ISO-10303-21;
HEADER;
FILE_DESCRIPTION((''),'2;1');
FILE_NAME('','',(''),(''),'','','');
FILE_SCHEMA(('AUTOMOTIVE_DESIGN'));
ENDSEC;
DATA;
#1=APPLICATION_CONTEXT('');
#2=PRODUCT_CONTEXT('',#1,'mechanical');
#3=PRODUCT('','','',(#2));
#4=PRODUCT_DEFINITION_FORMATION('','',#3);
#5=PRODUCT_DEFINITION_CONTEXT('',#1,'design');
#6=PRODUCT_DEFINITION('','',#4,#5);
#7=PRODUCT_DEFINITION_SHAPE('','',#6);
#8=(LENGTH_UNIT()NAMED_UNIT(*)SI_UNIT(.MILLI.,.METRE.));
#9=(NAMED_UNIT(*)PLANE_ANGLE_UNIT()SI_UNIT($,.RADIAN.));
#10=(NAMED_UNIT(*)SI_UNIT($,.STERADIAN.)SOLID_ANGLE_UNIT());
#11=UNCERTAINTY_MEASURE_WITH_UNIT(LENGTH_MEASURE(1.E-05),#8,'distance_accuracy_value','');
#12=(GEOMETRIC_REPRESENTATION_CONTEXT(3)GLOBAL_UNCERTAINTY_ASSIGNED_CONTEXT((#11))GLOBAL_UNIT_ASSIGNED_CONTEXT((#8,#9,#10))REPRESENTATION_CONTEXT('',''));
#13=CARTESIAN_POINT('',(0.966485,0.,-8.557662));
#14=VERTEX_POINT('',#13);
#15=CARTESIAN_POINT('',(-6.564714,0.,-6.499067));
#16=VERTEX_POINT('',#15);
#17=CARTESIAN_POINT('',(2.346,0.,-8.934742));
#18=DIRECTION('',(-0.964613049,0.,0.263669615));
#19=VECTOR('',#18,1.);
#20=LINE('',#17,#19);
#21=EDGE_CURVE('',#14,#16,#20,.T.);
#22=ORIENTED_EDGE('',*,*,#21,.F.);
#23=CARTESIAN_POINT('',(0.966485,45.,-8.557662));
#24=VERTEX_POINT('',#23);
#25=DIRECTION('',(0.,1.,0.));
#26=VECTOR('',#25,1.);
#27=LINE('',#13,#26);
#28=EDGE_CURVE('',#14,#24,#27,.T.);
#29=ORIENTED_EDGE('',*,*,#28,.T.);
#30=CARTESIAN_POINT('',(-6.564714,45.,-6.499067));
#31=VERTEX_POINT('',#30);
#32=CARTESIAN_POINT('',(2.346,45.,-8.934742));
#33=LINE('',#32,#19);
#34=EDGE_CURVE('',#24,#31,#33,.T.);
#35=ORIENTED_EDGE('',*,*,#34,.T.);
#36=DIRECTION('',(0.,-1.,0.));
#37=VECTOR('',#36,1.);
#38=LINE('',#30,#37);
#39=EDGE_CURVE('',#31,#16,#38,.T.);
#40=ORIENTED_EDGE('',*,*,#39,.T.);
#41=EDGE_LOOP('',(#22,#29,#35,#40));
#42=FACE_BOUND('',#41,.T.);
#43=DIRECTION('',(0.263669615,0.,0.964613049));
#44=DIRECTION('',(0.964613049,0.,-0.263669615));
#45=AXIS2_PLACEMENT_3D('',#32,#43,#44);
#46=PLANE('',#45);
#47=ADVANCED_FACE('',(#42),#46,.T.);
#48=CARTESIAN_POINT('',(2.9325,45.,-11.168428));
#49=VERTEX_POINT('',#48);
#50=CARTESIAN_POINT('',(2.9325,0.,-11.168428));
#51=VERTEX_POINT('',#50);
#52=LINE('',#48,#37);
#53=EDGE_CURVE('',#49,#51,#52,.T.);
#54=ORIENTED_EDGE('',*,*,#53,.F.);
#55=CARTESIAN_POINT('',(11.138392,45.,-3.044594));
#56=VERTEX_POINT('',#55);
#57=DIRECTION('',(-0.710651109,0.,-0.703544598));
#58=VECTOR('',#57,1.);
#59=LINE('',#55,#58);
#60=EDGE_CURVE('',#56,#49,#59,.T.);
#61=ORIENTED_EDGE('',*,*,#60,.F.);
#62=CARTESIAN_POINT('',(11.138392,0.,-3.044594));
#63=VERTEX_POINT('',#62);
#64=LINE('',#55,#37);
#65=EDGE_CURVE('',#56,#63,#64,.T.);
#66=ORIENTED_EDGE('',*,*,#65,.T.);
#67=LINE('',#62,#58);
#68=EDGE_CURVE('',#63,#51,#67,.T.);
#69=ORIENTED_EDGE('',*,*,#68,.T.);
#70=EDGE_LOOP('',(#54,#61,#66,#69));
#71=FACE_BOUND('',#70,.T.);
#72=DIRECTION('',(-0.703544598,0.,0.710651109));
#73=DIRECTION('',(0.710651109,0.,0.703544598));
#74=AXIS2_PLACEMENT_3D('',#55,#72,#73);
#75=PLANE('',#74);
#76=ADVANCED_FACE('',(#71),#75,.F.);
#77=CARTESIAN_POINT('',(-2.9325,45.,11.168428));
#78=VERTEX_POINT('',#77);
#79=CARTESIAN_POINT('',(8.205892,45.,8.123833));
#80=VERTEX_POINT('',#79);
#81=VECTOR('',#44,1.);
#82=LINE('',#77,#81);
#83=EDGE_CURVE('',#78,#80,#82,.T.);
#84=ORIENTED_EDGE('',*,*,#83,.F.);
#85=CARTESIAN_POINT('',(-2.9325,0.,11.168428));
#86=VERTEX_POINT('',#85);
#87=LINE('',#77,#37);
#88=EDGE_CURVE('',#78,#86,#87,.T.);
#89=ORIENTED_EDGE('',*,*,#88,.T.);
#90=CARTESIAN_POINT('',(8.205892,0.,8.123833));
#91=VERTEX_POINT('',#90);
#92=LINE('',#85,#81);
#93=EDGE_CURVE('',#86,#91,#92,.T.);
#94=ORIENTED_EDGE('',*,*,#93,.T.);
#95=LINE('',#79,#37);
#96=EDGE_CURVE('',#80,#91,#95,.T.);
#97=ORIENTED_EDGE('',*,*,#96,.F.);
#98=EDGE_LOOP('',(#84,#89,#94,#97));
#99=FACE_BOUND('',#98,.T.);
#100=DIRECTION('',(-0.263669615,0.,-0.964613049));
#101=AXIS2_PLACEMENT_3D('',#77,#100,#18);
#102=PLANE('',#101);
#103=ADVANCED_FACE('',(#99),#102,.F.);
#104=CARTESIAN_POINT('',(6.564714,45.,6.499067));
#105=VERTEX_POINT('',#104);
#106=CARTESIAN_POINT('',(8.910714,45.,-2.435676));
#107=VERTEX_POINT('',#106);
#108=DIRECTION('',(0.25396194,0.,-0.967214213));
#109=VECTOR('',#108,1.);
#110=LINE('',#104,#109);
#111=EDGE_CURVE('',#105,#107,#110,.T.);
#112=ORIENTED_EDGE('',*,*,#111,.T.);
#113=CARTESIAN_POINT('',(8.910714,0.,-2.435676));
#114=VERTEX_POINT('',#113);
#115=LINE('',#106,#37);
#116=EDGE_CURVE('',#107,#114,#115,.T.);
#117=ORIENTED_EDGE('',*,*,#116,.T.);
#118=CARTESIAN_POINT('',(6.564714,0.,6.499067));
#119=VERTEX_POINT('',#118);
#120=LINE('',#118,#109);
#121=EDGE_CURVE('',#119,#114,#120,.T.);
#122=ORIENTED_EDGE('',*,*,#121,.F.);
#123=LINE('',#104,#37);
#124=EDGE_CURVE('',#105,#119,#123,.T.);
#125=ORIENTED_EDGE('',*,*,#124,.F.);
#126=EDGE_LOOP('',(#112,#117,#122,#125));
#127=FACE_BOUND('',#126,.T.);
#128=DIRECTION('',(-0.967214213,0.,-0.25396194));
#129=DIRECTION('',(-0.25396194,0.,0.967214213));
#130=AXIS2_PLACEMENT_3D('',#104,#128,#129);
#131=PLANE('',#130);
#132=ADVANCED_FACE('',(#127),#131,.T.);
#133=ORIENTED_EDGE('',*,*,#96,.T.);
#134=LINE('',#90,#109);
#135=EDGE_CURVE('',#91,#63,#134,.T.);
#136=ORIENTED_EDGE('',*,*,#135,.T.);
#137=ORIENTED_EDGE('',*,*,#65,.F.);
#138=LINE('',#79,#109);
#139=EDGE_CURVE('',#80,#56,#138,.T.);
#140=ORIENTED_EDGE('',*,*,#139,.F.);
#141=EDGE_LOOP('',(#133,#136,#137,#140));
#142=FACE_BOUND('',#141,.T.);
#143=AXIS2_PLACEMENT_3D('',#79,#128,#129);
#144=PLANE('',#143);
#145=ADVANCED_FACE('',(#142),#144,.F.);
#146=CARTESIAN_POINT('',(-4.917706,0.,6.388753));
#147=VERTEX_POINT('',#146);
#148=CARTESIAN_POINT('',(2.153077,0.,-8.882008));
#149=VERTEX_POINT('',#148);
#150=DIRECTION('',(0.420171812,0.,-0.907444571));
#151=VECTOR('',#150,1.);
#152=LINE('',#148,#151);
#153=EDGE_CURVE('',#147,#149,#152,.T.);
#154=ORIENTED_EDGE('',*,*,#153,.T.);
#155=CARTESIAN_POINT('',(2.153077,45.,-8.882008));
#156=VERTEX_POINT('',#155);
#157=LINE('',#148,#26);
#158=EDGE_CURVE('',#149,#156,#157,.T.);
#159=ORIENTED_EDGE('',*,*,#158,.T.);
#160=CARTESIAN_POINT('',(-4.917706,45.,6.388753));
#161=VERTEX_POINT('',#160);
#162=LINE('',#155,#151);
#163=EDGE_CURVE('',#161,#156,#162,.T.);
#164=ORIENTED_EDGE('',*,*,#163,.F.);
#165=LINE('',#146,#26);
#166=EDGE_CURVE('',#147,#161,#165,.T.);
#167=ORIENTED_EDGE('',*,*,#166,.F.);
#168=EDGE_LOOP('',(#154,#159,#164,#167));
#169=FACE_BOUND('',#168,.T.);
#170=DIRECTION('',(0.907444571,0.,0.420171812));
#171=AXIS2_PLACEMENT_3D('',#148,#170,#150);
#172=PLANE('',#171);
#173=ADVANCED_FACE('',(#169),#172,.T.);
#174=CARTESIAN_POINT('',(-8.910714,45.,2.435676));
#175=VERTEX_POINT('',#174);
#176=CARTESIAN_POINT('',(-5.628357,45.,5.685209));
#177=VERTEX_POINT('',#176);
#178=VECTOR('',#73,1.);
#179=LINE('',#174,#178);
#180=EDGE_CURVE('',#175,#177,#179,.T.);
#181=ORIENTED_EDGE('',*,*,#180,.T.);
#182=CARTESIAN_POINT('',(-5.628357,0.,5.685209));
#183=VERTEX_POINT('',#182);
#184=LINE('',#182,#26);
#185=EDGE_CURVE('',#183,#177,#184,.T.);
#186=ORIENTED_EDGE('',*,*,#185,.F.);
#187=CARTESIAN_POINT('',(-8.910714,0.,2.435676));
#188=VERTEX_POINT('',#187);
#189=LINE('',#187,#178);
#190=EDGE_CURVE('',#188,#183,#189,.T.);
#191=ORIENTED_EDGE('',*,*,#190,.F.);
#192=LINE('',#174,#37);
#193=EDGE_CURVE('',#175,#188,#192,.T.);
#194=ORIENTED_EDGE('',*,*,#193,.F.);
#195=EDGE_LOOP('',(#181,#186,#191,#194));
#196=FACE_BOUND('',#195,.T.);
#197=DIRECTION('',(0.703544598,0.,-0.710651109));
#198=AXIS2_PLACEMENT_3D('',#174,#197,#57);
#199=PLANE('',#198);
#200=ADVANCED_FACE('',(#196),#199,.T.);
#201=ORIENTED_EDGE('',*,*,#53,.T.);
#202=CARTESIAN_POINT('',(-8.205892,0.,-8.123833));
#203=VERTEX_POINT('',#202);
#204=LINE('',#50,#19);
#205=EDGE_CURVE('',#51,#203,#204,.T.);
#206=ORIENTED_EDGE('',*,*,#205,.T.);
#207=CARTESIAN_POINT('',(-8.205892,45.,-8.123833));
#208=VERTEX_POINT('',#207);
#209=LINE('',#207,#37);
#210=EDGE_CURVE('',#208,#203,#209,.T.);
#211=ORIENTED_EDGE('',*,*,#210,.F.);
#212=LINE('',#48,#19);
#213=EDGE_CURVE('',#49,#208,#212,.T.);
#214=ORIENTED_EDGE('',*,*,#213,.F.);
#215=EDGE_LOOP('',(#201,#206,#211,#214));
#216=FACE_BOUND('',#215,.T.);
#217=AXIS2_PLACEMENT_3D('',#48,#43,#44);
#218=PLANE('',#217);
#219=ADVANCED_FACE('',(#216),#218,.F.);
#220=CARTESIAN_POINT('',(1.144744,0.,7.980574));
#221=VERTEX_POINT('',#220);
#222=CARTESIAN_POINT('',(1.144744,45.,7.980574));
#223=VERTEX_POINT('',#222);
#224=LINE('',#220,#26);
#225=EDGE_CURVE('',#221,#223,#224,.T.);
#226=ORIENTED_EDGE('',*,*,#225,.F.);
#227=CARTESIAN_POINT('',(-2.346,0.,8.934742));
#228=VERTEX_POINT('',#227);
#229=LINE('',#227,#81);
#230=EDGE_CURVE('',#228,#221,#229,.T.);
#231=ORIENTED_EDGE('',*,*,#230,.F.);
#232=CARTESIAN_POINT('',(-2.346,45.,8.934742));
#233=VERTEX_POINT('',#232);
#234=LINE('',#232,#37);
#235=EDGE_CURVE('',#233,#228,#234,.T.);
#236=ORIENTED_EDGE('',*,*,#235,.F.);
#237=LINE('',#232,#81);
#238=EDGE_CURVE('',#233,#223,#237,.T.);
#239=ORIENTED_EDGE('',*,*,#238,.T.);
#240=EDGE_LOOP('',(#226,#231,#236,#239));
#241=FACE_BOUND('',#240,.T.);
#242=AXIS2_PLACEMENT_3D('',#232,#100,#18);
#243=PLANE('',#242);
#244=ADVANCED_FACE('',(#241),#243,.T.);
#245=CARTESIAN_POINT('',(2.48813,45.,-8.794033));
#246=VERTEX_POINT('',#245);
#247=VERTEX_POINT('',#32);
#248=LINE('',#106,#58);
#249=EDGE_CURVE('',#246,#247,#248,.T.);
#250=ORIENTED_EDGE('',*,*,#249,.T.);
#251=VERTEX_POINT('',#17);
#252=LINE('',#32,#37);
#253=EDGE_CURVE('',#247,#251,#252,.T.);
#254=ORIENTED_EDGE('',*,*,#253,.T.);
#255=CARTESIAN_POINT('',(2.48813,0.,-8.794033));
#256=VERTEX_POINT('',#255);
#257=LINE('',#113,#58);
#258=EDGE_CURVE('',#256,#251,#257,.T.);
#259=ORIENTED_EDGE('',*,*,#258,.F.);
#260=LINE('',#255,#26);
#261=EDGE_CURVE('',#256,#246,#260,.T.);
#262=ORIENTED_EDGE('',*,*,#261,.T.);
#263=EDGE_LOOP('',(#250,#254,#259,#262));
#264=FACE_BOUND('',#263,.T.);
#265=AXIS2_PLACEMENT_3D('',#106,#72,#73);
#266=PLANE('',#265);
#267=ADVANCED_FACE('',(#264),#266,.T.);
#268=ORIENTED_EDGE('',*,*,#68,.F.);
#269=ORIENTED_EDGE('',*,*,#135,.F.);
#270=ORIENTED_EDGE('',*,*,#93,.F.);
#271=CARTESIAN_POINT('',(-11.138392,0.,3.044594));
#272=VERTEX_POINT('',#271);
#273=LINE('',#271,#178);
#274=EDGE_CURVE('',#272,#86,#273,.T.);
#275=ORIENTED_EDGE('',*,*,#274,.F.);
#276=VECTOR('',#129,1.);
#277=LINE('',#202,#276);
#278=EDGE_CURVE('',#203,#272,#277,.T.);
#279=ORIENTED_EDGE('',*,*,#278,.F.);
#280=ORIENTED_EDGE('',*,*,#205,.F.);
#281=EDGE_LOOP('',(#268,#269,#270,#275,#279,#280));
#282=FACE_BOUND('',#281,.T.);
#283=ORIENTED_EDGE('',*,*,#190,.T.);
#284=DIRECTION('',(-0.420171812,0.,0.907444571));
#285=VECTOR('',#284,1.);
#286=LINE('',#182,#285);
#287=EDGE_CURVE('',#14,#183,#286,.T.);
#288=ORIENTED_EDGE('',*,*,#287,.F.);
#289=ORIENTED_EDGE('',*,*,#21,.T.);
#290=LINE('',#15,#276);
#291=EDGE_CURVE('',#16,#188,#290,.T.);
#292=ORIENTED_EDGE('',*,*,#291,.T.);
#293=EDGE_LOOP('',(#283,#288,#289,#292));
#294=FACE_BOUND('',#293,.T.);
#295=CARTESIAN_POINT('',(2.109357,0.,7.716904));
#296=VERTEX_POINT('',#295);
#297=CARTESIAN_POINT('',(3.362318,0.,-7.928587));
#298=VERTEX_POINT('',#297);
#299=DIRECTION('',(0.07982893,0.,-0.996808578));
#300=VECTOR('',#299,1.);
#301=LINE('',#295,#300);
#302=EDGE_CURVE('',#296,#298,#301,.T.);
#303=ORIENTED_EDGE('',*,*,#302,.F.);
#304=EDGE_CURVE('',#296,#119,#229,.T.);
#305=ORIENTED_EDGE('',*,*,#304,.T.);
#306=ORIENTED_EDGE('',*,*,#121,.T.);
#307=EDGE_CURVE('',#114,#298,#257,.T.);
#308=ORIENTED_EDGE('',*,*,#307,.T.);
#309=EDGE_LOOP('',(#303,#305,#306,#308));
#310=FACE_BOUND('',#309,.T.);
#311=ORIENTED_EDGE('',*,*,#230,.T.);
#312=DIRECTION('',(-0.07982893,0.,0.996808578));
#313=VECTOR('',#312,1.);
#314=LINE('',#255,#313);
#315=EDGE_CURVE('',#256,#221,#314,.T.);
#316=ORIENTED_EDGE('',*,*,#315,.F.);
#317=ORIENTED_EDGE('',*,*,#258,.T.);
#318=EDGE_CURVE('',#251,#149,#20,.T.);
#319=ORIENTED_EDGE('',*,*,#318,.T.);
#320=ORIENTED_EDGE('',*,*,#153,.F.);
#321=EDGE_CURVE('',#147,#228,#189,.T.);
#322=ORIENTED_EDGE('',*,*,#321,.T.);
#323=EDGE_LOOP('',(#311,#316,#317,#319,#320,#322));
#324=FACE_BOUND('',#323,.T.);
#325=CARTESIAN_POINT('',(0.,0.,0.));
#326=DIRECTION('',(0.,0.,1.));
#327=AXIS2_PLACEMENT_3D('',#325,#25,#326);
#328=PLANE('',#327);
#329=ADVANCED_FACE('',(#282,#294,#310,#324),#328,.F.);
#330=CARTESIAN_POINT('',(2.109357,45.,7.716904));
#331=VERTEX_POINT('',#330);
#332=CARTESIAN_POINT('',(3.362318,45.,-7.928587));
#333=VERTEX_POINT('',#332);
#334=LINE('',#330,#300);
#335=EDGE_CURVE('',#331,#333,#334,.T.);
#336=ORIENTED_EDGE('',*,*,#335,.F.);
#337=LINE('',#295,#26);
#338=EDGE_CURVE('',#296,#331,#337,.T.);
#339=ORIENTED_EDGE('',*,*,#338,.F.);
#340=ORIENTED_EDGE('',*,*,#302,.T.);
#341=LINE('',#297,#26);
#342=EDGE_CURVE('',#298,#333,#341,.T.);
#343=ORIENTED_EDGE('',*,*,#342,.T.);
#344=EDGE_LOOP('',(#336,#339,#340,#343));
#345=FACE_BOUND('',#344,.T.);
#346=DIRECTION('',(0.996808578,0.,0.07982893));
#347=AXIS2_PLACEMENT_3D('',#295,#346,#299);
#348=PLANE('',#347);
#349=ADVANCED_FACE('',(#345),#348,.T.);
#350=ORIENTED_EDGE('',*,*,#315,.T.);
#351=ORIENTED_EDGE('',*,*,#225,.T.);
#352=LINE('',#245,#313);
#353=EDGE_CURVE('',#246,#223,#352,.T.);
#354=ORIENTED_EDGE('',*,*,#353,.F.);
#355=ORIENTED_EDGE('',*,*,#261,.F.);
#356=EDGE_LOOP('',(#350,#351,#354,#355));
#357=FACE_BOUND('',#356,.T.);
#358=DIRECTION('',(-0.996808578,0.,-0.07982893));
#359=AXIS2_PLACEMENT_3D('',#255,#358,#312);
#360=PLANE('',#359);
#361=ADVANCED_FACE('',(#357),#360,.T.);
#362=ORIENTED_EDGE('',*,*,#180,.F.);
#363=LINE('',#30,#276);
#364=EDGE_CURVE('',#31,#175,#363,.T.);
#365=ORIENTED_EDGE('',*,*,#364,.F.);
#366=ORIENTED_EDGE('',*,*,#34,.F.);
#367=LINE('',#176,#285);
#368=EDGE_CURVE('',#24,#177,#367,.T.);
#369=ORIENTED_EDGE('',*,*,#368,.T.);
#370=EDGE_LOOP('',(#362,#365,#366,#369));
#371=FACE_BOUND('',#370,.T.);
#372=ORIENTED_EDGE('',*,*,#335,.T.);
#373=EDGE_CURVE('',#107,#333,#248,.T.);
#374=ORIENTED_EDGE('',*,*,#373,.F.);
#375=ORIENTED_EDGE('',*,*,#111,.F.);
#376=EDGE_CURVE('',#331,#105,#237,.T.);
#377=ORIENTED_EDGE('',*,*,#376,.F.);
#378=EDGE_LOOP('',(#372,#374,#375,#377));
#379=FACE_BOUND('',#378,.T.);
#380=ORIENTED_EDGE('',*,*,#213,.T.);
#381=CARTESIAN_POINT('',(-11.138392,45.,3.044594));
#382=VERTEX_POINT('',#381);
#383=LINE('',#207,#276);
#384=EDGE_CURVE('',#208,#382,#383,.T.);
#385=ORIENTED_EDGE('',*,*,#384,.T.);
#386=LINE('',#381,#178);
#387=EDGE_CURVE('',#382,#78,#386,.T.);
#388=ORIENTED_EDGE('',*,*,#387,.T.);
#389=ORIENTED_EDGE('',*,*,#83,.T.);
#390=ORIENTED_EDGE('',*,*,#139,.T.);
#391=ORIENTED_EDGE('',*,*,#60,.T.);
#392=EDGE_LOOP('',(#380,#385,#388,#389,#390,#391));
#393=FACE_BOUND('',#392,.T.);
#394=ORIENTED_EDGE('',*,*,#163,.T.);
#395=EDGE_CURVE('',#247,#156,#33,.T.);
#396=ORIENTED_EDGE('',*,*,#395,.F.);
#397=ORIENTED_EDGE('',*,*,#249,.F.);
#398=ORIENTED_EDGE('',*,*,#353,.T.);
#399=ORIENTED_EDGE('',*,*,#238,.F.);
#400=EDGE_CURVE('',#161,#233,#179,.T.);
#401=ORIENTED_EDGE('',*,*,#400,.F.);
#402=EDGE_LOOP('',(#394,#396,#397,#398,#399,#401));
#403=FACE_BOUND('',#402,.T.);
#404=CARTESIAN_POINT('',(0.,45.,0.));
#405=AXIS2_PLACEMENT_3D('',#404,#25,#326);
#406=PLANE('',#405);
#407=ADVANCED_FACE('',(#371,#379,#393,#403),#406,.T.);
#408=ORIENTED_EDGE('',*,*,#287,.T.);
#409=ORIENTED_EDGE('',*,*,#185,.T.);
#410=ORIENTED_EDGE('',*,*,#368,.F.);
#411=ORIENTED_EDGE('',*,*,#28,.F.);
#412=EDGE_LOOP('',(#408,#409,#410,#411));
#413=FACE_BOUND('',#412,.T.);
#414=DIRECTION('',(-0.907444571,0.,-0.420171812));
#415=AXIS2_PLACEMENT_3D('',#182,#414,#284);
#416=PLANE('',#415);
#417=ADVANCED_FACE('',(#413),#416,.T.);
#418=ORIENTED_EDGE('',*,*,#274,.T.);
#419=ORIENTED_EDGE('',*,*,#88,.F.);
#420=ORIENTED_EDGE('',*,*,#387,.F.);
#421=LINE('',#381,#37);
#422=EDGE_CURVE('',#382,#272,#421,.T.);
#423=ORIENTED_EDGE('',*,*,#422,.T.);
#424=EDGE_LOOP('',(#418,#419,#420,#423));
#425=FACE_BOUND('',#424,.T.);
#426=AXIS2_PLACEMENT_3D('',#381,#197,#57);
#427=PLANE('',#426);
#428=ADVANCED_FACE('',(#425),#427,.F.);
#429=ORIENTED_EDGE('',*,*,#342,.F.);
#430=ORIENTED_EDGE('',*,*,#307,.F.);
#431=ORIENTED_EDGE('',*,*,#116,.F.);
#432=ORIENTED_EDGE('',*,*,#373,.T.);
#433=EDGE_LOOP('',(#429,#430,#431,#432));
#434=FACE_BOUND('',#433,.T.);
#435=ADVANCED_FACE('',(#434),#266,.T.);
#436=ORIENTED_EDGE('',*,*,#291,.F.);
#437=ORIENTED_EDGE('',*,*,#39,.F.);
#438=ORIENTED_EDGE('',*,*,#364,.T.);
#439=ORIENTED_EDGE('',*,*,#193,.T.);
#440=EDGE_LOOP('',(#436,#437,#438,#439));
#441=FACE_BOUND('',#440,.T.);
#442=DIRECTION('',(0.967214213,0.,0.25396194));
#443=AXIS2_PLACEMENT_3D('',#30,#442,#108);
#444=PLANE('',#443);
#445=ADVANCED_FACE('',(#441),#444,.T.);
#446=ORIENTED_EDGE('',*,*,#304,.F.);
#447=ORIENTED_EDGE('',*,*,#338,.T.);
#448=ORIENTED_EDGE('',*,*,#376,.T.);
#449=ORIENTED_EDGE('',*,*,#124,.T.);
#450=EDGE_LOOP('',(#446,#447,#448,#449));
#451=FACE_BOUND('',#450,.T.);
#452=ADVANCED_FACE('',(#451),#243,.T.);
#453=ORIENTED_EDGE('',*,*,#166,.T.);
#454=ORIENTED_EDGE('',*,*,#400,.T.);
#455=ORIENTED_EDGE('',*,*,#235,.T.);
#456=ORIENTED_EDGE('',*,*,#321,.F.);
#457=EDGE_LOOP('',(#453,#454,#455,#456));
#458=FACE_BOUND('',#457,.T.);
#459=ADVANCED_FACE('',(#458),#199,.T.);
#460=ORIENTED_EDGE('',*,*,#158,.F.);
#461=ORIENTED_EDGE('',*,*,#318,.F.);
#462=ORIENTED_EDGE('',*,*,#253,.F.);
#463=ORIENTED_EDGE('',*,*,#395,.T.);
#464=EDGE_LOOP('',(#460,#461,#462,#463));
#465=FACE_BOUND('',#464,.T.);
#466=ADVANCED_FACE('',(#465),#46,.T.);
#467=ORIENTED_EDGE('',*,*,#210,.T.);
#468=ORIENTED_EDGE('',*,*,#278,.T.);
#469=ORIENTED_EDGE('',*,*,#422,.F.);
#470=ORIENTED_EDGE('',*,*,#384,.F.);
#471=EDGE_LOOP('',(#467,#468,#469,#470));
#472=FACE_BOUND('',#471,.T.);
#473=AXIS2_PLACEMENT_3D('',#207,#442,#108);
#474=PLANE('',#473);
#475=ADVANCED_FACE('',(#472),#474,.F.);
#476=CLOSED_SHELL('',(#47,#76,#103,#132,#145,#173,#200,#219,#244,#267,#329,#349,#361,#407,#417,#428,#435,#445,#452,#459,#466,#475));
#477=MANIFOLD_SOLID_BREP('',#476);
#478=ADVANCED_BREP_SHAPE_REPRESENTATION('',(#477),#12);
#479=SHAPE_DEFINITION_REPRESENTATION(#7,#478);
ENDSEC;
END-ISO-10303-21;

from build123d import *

# Parameters (mm, degrees)
BOSS_EXTRUDE1_DEPTH = 45
BOSS_EXTRUDE2_DEPTH = 45


with BuildPart() as part:
    # Sketch1 → Boss-Extrude1 (new body)
    with BuildSketch(Plane(origin=(0, 0, 0), x_dir=(1, 0, 0), z_dir=(0, 1, 0))):
        Polygon((8.205892182, -8.12383326), (11.13839207, 3.04459446), (2.932499888, 11.16842772), (-8.205892182, 8.12383326), (-11.13839207, -3.04459446), (-2.932499888, -11.16842772), align=None)
        Polygon((-2.345999911, -8.934742176), (6.564713745, -6.499066608), (8.910713656, 2.435675568), (2.345999911, 8.934742176), (-6.564713745, 6.499066608), (-8.910713656, -2.435675568), align=None, mode=Mode.SUBTRACT)
    extrude(amount=BOSS_EXTRUDE1_DEPTH)

    # Sketch2 → Boss-Extrude2 (add)
    with BuildSketch(Plane(origin=(0, 45, 0), x_dir=(1, 0, 0), z_dir=(0, 1, 0))):
        Polygon((-5.628356783, -5.685208872), (0.966484517, 8.557662172), (2.153077301, 8.882008253), (-4.917705674, -6.38875347), align=None)
        Polygon((2.109356917, -7.716904392), (3.36231847, 7.928586802), (2.488130132, 8.794033256), (1.144743868, -7.980574007), align=None)
    extrude(amount=-BOSS_EXTRUDE2_DEPTH)


solid = part.part
